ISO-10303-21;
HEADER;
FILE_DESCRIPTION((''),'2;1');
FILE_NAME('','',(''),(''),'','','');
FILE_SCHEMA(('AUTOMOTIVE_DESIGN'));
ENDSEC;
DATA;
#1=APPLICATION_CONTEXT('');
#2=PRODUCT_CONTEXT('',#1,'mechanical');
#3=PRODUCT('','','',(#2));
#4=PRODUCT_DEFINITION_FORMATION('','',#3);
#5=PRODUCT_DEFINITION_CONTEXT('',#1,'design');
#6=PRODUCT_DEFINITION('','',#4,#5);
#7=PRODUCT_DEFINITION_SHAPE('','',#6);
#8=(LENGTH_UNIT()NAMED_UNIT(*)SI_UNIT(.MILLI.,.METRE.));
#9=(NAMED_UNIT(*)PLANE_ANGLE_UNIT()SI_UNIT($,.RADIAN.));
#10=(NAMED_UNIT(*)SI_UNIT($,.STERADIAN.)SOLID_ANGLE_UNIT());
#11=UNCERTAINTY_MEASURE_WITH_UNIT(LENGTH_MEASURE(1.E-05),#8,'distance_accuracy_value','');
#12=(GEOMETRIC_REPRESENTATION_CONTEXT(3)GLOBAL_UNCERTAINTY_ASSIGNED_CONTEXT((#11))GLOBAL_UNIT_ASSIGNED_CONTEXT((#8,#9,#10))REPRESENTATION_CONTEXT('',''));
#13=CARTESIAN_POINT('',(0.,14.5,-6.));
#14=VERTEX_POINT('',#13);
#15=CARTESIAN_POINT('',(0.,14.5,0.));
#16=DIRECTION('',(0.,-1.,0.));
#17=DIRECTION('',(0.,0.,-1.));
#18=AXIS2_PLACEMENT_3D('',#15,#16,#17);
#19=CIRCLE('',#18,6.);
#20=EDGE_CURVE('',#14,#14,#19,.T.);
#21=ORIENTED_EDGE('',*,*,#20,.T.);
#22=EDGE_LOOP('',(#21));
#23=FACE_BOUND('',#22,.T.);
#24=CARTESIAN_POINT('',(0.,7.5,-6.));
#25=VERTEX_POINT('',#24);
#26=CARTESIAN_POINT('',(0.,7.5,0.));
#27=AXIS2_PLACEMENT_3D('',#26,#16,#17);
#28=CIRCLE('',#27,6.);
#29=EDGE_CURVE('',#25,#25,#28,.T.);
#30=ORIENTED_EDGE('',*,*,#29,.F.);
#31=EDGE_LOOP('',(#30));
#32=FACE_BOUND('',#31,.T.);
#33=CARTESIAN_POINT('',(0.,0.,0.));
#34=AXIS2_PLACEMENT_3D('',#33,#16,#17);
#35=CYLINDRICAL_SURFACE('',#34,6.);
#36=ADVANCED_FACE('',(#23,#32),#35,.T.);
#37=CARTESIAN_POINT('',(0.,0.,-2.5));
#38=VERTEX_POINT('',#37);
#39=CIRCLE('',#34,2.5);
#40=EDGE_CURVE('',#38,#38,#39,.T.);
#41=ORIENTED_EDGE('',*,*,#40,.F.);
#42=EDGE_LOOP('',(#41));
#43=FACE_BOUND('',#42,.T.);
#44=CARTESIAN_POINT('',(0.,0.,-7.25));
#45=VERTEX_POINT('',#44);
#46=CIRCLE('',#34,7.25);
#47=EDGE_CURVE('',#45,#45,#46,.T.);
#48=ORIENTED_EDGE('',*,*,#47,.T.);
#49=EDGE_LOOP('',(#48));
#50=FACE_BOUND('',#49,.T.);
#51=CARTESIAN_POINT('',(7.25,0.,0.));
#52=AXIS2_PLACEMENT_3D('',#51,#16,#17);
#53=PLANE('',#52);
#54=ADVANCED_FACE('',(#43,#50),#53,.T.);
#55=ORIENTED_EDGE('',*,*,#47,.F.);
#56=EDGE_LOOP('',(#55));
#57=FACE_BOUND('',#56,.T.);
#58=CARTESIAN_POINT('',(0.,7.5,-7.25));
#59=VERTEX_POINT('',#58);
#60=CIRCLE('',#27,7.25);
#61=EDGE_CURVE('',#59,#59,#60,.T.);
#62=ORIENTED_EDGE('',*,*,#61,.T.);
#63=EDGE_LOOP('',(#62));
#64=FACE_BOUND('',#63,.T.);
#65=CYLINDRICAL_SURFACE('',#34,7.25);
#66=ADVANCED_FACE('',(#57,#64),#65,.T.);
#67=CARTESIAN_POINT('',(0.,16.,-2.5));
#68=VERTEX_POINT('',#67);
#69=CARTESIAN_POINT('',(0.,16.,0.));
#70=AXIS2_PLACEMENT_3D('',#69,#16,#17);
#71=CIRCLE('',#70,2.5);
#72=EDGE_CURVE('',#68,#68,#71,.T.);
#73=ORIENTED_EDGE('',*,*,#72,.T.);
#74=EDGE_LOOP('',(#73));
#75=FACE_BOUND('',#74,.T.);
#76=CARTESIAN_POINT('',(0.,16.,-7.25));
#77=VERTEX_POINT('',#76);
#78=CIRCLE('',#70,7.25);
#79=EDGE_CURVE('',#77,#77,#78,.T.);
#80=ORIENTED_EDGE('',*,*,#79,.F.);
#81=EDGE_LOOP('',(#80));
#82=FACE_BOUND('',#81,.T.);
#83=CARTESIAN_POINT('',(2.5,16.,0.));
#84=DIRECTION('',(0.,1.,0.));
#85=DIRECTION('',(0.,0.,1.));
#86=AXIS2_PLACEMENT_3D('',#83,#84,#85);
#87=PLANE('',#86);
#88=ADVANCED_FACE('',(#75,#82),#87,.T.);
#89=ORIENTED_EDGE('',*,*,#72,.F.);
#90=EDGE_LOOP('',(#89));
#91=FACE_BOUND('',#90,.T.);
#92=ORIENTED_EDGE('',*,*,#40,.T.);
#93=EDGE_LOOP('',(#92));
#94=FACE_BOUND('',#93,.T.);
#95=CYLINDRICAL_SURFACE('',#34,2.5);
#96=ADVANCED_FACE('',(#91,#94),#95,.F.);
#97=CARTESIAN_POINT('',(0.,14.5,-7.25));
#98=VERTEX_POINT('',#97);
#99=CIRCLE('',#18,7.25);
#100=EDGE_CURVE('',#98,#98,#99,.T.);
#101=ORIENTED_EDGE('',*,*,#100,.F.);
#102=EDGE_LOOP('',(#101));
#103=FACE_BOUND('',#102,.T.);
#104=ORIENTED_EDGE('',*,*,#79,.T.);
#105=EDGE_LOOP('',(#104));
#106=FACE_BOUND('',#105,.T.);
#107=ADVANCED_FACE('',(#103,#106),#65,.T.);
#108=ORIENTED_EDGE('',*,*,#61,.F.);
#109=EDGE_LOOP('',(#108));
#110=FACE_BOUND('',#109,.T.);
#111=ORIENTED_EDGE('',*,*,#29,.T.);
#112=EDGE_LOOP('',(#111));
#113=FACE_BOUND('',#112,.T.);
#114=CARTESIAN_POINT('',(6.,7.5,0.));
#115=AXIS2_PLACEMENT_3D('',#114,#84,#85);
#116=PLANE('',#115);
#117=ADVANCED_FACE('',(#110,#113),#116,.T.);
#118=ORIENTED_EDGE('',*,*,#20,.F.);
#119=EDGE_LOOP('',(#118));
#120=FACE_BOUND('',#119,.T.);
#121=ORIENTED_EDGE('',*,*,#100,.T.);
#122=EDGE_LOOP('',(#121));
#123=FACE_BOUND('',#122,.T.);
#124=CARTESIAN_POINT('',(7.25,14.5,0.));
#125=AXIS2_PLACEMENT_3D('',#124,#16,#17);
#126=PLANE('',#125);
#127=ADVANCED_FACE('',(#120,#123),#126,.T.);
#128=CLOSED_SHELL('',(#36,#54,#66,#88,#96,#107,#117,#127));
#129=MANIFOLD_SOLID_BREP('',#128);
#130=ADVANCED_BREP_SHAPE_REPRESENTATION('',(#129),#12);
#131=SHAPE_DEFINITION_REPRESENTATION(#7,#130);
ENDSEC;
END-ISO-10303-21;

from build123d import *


with BuildPart() as part:
    # Эскиз3 → Повернуть1 (revolve)
    with BuildSketch(Plane.XY, mode=Mode.PRIVATE) as revolve_1_sk:
        Polygon((2.5, 0), (2.5, 16), (7.25, 16), (7.25, 14.5), (6, 14.5), (6, 7.5), (7.25, 7.5), (7.25, 0), align=None)
    revolve(revolve_1_sk.sketch.rotate(Axis((0, 0, 0), (0, 1, 0)), 90), axis=Axis((0, 0, 0), (0, 1, 0)))


solid = part.part
